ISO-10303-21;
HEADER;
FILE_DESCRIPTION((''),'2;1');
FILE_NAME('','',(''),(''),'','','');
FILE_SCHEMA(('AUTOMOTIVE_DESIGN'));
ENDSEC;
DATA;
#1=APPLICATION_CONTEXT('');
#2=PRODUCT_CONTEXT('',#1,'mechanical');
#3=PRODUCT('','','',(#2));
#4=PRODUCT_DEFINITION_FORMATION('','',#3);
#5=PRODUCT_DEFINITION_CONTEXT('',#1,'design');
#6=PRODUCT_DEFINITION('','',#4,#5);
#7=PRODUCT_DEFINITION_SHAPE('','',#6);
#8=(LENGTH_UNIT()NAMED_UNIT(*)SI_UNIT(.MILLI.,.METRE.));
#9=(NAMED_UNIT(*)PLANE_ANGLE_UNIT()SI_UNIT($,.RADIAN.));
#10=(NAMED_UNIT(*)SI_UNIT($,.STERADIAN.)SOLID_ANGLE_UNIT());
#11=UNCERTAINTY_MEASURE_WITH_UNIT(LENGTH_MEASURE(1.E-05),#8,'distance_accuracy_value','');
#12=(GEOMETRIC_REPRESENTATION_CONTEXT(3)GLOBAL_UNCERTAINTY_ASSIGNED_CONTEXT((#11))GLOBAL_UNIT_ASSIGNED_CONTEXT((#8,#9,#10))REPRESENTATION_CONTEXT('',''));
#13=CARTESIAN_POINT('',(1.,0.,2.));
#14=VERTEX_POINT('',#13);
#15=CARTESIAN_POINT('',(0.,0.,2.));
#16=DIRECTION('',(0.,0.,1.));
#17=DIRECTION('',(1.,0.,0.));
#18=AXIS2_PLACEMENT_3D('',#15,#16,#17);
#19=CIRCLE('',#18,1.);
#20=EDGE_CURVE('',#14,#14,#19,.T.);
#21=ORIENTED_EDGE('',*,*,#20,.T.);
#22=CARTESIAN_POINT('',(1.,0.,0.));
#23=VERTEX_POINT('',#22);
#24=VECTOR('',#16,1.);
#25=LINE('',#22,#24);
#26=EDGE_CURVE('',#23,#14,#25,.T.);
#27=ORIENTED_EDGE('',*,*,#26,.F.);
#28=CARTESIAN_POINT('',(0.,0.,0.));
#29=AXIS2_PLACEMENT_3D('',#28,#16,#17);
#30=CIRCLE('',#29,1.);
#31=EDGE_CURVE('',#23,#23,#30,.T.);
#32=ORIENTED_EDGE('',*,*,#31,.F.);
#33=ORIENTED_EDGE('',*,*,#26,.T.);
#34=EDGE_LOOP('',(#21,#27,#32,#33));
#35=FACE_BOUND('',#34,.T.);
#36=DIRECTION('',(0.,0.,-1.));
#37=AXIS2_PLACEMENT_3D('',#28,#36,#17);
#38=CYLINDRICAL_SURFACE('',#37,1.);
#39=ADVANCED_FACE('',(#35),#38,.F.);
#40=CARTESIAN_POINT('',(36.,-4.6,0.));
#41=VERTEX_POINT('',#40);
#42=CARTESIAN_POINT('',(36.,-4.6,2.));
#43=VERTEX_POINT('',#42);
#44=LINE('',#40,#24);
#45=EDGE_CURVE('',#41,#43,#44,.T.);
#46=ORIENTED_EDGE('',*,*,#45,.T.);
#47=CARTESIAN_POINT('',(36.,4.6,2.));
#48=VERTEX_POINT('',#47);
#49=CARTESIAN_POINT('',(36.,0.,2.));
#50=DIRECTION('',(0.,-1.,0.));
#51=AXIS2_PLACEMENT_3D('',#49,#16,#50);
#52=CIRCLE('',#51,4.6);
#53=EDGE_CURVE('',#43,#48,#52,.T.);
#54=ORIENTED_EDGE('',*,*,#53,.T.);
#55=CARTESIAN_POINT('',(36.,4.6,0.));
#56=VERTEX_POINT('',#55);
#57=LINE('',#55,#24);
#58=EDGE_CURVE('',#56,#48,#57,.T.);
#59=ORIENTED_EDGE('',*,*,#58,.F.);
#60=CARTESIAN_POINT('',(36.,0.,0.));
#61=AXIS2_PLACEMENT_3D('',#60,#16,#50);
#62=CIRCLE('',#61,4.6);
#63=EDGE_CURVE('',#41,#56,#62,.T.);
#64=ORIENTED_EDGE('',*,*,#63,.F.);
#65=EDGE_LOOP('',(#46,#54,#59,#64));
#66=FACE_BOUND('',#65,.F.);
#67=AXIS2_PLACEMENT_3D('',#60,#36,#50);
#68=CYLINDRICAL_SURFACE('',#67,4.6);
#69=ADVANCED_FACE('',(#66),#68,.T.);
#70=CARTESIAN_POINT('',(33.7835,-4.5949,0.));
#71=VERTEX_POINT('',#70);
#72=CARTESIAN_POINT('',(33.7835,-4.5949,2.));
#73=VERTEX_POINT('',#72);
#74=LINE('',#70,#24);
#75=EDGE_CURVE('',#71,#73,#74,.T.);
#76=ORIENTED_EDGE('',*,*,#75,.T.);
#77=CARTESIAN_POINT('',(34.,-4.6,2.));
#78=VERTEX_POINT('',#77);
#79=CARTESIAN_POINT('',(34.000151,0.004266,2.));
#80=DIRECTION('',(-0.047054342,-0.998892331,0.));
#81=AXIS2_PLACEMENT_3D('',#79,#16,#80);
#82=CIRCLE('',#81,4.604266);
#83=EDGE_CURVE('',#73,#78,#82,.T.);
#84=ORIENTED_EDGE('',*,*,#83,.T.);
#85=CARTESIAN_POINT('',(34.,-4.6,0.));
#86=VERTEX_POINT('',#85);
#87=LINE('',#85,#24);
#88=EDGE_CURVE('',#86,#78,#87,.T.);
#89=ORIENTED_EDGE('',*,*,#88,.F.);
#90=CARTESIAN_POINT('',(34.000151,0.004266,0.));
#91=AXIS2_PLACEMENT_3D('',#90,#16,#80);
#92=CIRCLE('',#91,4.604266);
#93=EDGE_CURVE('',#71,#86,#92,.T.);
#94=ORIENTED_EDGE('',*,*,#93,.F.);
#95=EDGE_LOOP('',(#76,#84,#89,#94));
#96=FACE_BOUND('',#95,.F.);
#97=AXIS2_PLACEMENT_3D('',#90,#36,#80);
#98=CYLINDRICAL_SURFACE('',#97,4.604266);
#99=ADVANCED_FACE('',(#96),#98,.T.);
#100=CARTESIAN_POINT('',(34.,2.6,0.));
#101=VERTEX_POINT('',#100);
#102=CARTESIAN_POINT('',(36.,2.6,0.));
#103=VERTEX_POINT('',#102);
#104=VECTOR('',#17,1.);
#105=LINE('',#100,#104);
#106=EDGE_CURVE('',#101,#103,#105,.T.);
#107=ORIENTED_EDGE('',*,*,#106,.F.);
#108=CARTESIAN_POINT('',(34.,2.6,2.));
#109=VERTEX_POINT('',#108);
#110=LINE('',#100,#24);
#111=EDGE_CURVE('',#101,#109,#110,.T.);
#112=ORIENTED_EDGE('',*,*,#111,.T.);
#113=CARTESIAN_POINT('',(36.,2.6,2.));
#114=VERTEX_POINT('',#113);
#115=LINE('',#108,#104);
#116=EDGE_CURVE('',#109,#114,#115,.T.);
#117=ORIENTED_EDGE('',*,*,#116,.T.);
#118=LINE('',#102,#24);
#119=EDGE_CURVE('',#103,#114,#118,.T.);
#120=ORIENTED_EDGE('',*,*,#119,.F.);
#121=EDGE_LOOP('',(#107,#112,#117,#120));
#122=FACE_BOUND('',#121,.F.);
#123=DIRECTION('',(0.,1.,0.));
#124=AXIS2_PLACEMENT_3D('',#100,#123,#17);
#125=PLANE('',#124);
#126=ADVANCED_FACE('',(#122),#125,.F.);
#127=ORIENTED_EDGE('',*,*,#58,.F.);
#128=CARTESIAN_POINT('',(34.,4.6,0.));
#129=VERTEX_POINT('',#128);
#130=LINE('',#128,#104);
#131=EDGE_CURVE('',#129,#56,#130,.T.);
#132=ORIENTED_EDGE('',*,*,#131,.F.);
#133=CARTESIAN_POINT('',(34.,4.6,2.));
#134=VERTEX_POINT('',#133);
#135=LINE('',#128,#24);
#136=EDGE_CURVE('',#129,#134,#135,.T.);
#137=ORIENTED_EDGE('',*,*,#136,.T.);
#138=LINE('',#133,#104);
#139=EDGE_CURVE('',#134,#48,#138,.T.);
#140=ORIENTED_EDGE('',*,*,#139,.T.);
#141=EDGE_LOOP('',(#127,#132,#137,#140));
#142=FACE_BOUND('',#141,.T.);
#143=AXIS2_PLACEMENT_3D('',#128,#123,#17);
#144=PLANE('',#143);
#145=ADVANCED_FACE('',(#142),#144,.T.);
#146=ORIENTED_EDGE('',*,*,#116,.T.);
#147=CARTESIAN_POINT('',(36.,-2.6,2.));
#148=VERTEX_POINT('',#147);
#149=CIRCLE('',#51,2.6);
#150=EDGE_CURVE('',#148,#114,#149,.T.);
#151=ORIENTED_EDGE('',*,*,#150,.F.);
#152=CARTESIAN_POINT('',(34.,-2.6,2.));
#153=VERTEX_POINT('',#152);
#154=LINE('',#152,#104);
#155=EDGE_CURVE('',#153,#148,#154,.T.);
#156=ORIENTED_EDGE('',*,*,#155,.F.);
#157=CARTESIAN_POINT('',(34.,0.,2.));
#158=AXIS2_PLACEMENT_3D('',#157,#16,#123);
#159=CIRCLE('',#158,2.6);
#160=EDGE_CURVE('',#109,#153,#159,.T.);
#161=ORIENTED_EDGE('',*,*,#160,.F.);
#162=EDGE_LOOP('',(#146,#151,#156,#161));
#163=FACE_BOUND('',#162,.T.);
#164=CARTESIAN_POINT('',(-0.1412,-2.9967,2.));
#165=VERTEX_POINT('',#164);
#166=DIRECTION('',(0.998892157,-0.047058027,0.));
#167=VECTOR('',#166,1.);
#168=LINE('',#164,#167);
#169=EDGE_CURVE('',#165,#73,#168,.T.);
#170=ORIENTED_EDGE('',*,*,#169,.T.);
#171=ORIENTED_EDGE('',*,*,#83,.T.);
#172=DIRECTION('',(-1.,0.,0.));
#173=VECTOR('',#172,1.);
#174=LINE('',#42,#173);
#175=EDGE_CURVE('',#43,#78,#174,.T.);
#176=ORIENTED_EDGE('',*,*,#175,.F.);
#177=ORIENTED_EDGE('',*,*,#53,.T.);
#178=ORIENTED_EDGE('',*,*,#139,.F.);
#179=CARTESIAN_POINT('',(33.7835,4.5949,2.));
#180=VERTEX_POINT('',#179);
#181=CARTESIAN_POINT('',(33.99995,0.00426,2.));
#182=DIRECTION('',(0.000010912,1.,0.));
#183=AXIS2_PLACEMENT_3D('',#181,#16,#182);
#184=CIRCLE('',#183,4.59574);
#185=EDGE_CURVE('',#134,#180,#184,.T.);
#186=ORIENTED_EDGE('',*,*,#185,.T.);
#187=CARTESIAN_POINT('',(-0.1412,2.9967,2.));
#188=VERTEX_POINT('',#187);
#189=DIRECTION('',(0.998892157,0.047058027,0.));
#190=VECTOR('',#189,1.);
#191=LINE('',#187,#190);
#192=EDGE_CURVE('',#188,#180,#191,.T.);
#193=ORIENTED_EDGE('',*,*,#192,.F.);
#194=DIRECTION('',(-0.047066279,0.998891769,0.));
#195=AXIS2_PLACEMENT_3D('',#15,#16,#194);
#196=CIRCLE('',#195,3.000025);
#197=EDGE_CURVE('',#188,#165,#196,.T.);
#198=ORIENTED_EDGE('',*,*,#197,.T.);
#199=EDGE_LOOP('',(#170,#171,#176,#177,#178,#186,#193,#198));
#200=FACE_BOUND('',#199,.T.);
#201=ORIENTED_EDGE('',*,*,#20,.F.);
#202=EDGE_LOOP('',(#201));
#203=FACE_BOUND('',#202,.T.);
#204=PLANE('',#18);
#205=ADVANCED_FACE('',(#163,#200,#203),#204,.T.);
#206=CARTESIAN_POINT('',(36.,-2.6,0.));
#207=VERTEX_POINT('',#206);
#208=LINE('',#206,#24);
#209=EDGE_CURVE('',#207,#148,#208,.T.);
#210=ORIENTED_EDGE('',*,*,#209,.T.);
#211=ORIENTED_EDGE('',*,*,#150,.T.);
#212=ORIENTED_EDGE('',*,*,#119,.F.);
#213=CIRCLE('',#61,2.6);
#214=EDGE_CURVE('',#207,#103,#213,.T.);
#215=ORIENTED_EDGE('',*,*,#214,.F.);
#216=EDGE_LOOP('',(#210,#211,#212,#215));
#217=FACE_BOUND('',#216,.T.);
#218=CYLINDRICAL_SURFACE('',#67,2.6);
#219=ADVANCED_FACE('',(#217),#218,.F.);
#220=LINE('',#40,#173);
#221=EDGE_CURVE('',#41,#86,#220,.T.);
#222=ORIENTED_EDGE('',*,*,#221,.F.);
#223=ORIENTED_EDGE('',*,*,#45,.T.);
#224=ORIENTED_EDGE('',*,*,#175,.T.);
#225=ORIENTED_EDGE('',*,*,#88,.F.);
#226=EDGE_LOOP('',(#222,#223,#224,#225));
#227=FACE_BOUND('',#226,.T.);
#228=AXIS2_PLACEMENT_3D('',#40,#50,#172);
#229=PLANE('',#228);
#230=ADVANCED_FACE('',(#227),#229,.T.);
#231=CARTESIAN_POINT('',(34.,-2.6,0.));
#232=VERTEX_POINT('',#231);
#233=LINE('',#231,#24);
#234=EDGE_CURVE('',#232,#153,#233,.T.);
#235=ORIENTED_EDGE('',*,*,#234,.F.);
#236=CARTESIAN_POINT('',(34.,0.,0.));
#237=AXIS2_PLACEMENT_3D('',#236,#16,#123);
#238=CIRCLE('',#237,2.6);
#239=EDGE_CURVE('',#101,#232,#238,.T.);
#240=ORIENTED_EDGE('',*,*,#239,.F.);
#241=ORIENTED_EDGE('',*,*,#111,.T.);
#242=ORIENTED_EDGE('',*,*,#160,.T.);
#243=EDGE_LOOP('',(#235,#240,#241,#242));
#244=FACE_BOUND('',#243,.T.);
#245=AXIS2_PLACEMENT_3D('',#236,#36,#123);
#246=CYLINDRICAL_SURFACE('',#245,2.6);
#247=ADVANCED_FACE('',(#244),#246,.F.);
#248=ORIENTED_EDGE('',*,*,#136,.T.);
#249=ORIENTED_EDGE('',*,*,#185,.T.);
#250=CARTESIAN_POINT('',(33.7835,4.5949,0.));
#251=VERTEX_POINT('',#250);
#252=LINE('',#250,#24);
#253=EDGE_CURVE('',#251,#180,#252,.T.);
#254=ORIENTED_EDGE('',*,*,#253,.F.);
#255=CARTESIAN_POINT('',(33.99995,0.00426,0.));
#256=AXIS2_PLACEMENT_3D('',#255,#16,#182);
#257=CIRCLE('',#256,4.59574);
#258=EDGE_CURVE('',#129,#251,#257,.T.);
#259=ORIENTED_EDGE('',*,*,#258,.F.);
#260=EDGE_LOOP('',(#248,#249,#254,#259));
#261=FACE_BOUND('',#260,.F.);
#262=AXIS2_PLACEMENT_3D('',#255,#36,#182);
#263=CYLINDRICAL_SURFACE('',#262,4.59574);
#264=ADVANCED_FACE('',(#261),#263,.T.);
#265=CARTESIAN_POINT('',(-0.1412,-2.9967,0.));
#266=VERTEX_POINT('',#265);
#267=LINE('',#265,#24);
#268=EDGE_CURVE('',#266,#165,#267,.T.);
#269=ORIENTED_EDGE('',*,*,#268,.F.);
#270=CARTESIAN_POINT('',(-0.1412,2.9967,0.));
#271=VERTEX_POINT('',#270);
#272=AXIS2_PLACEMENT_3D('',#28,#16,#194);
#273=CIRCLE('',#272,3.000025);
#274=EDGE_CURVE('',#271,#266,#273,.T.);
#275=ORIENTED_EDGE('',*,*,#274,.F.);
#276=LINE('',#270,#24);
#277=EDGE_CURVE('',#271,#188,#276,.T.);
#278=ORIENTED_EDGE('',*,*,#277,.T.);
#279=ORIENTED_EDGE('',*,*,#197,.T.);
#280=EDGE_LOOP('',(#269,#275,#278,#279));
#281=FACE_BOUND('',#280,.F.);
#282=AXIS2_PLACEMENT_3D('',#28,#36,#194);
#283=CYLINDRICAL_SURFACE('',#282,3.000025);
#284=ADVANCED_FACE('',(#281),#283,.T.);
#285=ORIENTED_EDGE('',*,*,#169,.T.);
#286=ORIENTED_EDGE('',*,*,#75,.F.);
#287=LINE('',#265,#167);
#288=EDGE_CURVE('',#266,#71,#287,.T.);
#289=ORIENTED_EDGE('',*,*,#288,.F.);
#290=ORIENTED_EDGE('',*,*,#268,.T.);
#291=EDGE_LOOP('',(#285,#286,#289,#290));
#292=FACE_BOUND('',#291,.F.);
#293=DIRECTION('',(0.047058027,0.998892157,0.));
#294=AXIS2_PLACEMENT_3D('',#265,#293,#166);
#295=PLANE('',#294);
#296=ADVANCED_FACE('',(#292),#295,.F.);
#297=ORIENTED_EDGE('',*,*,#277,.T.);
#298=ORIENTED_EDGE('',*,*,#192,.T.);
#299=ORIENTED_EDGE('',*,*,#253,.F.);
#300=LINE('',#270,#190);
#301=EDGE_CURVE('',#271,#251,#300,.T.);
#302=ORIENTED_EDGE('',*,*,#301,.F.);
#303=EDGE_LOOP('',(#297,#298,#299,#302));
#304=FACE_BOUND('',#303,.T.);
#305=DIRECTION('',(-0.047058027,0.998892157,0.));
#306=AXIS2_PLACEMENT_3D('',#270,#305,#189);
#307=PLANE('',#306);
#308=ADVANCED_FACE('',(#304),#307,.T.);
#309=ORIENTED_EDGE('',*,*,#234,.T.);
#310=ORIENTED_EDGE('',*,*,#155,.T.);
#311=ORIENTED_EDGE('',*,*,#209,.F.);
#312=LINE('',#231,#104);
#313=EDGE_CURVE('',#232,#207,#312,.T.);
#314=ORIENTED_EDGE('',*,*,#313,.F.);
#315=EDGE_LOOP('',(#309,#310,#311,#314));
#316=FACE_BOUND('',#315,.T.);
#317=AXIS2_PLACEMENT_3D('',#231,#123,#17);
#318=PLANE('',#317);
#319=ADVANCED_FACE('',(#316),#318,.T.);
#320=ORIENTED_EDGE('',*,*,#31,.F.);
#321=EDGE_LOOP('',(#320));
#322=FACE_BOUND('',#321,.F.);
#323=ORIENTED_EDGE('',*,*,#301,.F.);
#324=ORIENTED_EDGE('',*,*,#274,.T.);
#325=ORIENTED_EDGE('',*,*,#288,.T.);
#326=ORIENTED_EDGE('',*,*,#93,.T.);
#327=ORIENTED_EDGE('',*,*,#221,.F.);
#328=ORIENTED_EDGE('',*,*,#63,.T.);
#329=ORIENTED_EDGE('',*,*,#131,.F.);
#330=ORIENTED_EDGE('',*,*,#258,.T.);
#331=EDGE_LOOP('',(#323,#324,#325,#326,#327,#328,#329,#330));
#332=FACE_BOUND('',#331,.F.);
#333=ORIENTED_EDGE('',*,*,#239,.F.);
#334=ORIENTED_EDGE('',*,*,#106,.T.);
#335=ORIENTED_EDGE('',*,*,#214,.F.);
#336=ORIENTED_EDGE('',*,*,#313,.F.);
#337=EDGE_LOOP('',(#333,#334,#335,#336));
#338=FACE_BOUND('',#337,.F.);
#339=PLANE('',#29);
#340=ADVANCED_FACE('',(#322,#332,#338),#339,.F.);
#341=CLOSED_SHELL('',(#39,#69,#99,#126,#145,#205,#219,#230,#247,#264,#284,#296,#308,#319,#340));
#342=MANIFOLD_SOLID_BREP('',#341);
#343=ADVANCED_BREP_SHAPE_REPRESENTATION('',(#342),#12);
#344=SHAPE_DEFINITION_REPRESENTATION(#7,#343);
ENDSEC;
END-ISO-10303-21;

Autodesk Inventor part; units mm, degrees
ref_plane "YZ Plane" through (0, 0, 0) normal (1, 0, 0) x (0, 1, 0)
ref_plane "XZ Plane" through (0, 0, 0) normal (0, 1, 0) x (-1, 0, 0)
ref_plane "XY Plane" through (0, 0, 0) normal (0, 0, 1) x (1, 0, 0)
sketch "Sketch1" plane through (0, 0, 0) normal (0, 0, 1) x (1, 0, 0)
  circle A0 centre (0, 0) radius 1
  arc A1 (34, 2.6) -> (34, -2.6) centre (34, 0) ccw
  line L0 (34, 2.6) -> (36, 2.6)
  line L1 (34, -2.6) -> (36, -2.6)
  arc A2 (36, -2.6) -> (36, 2.6) centre (36, 0) ccw
  arc A3 (-0.1412, 2.9967) -> (-0.1412, -2.9967) centre (0, 0) ccw
  line L2 (34, 4.6) -> (36, 4.6)
  arc A4 (36, -4.6) -> (36, 4.6) centre (36, 0) ccw
  line L3 (36, -4.6) -> (34, -4.6)
  line L4 (-0.1412, 2.9967) -> (33.7835, 4.5949)
  line L5 (12.7162, 0) -> (28.1806, 0)
  line L6 (-0.1412, -2.9967) -> (33.7835, -4.5949)
  arc A5 (34, 4.6) -> (33.7835, 4.5949) centre (34, 0) ccw
  arc A6 (33.7835, -4.5949) -> (34, -4.6) centre (34, 0) ccw
  dimension "d0" = 2
  dimension "d1" = 5.2
  dimension "d2" = 34
  dimension "d3" = 2
  dimension "d4" = 2
extrude "Extrusion1" add sketch "Sketch1" along normal blind 2
properties part number "rotasyonpini"
